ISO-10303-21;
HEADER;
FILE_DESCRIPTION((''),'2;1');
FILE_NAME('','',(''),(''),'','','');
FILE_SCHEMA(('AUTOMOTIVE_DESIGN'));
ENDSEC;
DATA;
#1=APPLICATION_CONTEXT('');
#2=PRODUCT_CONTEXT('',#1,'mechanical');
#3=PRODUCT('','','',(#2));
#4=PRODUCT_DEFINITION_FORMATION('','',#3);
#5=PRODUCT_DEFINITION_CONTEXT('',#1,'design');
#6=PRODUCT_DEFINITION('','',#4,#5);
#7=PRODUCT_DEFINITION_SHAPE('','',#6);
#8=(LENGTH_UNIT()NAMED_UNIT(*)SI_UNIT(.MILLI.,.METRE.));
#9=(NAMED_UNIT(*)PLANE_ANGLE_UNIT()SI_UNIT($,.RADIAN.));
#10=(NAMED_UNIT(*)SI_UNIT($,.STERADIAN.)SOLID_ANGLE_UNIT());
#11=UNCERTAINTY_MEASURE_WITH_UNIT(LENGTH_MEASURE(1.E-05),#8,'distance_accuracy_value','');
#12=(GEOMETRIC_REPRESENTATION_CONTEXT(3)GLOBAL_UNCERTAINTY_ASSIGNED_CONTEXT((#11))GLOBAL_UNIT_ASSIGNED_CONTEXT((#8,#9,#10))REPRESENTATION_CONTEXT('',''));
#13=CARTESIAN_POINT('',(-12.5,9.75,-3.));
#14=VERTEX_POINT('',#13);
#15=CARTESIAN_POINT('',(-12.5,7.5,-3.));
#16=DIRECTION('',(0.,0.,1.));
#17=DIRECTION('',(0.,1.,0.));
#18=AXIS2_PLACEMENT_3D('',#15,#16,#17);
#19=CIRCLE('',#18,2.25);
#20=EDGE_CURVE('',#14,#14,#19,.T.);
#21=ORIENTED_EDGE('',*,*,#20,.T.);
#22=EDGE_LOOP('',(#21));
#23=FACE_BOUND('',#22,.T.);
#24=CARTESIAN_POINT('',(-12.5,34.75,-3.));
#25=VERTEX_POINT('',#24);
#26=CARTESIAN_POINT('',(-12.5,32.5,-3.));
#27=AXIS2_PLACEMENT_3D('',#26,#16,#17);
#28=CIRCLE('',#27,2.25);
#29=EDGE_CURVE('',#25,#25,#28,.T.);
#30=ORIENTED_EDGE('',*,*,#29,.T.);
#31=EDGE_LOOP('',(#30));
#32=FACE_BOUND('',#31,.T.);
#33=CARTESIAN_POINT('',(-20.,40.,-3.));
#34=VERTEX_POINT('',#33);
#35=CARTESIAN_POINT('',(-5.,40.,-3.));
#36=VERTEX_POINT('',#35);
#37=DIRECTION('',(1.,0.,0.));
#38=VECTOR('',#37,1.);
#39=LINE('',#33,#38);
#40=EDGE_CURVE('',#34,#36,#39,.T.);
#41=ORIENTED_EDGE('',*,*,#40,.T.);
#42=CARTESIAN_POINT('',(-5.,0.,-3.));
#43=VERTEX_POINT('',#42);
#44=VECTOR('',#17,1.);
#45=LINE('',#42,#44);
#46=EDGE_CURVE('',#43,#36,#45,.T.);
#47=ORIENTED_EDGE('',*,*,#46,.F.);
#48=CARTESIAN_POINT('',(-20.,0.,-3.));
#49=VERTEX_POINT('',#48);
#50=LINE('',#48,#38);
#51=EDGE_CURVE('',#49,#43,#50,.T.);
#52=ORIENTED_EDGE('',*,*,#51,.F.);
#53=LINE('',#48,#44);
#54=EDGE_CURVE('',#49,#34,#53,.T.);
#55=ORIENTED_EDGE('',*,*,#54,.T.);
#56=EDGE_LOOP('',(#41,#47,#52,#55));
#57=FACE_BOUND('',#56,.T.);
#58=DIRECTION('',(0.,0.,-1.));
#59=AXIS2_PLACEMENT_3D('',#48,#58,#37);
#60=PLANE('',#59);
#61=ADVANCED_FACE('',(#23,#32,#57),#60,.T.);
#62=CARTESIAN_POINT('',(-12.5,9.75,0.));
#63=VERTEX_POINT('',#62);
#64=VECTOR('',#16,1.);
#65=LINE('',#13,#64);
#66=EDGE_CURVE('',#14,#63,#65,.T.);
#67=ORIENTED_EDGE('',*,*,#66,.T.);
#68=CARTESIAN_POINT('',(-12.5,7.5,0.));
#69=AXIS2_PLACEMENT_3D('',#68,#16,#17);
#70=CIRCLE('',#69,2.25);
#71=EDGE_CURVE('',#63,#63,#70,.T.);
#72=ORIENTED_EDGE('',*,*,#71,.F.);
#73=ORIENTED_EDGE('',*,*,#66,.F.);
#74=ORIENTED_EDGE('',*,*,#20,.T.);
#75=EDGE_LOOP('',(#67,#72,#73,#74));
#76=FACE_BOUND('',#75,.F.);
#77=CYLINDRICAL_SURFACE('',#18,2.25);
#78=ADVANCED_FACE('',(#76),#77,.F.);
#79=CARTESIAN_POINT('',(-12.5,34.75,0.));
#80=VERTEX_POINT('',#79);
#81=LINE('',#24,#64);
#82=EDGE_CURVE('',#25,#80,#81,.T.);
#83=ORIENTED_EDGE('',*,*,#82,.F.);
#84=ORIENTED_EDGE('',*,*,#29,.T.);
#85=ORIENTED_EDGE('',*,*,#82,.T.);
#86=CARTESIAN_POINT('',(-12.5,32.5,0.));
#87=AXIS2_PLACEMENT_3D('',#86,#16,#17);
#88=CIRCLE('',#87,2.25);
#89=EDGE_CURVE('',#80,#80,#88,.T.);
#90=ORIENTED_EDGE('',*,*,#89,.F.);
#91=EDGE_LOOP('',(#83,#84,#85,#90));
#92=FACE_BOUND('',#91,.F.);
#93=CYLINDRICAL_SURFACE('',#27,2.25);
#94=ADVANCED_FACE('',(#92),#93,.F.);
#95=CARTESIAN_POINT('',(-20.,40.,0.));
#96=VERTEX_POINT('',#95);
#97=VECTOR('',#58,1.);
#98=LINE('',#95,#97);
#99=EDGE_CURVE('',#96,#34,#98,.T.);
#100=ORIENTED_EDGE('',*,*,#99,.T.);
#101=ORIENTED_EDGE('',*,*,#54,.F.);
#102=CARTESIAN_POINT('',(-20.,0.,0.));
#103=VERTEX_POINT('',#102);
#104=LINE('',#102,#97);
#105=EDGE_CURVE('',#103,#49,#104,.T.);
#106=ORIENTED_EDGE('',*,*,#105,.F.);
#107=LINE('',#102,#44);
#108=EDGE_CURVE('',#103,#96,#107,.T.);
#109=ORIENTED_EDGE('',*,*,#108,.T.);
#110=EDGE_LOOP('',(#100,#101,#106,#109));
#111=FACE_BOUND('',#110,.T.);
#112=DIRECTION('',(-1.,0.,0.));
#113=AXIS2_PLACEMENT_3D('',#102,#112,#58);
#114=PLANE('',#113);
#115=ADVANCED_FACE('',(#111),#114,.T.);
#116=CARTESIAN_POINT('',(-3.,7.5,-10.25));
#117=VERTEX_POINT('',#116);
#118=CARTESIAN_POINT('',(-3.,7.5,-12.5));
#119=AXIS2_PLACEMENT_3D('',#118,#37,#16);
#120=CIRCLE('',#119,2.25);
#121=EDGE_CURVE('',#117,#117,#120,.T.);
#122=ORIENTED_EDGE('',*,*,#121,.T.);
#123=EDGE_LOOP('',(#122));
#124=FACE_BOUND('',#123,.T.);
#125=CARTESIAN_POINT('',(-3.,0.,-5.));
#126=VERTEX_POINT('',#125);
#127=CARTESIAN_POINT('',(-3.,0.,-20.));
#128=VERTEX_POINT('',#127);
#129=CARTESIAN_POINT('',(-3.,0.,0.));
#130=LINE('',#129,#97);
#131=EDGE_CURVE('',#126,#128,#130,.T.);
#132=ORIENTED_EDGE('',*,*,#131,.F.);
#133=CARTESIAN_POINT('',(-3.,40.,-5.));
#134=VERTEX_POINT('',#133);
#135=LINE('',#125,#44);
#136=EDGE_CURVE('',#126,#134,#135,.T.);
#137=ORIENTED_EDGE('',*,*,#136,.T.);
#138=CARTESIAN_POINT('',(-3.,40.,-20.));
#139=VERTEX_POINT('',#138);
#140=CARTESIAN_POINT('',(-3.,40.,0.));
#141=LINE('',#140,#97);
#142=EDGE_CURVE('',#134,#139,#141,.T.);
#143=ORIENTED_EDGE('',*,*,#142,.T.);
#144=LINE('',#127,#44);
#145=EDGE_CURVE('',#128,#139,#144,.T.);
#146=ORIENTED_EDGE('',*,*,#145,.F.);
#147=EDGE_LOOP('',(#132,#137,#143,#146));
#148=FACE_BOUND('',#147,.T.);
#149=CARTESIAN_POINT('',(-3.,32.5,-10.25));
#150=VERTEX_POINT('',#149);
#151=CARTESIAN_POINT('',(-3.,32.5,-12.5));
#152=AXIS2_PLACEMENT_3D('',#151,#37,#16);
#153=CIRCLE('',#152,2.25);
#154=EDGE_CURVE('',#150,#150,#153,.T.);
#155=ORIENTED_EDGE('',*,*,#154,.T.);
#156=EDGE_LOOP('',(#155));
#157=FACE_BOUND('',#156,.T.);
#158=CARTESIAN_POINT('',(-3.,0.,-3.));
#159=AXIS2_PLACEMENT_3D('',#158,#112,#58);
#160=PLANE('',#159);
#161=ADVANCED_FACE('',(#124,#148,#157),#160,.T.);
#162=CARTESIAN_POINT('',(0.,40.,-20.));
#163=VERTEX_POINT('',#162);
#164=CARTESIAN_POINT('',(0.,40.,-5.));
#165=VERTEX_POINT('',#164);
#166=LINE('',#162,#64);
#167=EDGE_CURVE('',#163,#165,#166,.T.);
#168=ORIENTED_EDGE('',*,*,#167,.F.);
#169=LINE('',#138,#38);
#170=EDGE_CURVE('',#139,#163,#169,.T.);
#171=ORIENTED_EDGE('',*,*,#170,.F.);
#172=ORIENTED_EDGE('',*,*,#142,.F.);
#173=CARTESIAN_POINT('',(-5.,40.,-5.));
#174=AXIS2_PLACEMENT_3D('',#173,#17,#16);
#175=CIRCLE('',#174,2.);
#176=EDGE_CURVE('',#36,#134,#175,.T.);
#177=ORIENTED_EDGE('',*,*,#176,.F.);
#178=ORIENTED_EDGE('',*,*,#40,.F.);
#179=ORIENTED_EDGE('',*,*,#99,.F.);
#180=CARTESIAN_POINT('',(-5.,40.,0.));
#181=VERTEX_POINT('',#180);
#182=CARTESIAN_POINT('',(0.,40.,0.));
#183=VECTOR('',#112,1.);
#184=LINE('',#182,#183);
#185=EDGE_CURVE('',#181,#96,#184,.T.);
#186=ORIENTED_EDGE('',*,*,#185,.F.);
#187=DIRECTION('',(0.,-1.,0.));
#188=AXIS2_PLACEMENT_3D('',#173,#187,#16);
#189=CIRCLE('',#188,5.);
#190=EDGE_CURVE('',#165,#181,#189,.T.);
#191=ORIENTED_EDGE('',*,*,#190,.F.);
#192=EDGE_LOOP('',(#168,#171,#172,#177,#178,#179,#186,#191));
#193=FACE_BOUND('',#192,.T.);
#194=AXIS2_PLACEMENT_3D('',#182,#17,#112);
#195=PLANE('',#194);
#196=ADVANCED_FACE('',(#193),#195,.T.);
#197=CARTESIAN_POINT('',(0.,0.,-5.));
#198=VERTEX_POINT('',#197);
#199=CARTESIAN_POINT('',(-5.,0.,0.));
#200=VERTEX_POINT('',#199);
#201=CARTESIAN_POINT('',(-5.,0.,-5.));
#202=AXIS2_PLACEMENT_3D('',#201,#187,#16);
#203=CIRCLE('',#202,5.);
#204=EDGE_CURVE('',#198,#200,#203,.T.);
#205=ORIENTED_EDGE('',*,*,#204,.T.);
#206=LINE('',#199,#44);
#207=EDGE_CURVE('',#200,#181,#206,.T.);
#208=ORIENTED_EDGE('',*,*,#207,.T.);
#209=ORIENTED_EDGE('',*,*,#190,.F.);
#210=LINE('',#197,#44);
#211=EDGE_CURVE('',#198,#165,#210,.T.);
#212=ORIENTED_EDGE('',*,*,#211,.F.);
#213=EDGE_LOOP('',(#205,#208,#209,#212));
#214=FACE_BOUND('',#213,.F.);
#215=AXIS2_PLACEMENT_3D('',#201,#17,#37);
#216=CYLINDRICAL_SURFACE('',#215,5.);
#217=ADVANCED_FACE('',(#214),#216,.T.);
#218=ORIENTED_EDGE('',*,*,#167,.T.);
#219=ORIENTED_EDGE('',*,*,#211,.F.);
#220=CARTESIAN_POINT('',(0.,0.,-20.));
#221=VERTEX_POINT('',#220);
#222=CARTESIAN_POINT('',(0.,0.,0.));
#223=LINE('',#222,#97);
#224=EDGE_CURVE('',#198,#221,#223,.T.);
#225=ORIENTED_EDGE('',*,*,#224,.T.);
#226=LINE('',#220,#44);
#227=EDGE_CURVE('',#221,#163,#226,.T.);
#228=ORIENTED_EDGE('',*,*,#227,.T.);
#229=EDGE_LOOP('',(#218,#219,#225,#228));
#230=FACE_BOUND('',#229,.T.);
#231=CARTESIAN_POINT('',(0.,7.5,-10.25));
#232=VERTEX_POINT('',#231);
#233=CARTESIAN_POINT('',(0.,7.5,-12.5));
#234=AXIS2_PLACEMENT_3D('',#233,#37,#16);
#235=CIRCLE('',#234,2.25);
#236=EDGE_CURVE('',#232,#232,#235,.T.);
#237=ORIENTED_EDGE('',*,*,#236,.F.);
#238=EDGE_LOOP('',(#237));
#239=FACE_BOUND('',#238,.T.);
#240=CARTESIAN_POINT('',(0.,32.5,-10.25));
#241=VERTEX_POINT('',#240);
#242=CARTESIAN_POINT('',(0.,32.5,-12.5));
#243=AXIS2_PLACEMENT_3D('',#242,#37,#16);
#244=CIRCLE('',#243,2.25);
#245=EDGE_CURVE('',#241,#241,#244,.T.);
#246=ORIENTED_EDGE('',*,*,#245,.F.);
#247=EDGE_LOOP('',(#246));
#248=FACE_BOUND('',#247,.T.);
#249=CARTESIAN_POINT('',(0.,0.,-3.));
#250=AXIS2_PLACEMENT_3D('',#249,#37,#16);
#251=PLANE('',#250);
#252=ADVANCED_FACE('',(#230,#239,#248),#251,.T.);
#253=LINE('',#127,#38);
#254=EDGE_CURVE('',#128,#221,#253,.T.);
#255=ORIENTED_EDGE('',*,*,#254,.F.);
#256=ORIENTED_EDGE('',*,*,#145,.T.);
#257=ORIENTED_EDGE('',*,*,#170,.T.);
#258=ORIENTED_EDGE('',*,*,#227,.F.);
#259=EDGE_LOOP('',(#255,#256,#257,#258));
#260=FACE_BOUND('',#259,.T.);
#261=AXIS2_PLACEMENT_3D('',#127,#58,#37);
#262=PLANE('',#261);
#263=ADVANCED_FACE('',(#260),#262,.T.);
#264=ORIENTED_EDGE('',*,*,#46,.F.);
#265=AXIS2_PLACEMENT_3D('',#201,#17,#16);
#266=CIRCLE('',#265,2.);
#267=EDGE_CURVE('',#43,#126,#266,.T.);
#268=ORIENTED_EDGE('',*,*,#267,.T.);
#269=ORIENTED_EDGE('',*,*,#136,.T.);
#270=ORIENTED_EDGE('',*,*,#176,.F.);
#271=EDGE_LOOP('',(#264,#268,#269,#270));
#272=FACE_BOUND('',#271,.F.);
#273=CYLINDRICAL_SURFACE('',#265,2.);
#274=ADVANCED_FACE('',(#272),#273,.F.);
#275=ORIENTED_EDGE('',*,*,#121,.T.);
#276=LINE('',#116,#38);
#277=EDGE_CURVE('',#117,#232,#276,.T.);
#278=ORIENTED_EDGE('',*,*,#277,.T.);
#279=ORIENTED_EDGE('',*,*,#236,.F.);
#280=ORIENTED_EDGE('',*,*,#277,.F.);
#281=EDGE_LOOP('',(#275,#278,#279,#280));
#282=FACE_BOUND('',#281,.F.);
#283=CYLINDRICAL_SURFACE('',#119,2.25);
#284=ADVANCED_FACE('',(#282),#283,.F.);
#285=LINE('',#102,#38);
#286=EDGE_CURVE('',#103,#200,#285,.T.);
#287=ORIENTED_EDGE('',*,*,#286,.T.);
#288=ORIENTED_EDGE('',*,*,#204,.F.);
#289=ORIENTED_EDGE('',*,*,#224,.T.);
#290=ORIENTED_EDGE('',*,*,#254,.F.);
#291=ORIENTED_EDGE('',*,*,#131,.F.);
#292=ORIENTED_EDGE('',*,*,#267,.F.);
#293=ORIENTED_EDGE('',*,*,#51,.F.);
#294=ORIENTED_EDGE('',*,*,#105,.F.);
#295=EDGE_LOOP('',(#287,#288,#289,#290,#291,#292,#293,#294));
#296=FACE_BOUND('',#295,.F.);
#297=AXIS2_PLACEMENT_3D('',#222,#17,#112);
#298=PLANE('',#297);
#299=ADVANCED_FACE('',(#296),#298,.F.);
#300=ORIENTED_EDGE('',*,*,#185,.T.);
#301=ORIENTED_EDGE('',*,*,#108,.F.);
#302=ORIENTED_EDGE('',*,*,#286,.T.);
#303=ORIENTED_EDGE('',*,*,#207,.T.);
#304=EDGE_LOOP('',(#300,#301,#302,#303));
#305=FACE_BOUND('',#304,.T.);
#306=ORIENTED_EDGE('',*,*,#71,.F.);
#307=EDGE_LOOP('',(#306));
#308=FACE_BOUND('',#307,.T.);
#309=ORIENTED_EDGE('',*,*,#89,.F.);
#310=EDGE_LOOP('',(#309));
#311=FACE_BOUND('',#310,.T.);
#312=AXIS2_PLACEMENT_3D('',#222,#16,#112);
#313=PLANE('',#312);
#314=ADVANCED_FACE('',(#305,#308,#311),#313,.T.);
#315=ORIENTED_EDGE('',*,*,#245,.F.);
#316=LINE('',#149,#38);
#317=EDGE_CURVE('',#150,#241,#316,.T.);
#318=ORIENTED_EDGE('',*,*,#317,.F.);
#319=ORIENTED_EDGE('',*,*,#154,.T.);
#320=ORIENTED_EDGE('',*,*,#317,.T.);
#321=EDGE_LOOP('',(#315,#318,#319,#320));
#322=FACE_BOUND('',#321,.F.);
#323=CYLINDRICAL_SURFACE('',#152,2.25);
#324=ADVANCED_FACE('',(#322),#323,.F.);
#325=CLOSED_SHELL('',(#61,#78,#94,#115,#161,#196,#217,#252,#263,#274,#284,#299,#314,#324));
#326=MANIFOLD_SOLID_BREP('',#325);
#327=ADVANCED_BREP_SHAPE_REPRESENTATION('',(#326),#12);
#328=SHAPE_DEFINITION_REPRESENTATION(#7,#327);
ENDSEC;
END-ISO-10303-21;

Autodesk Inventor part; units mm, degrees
ref_plane "YZ Plane" through (0, 0, 0) normal (1, 0, 0) x (0, 1, 0)
ref_plane "XZ Plane" through (0, 0, 0) normal (0, 1, 0) x (-1, 0, 0)
ref_plane "XY Plane" through (0, 0, 0) normal (0, 0, 1) x (1, 0, 0)
sketch "Sketch1" plane through (0, 0, 0) normal (0, 1, 0) x (-1, 0, 0)
  line L0 (0, 0) -> (20, 0)
  line L1 (20, 0) -> (20, -3)
  line L2 (20, -3) -> (0, -3)
  line L3 (0, -3) -> (0, 0)
  line L4 (0, 0) -> (3, 0)
  line L5 (3, 0) -> (3, -20)
  line L6 (3, -20) -> (0, -20)
  line L7 (0, -20) -> (0, 0)
  dimension "d0" = 3
  dimension "d1" = 3
  dimension "d2" = 20
  dimension "d3" = 20
extrude "Extrusion1" add sketch "Sketch1" along normal blind 40
fillet "Fillet1" radius 2 1 edges at (-3, 20, -3)
fillet "Fillet2" radius 5 1 edges at (0, 20, 0)
sketch "Sketch2" plane through (-3, 0, -20) normal (-1, 0, 0) x (0, 0, 1)
  line L0 (0, 40) -> (15, 40) projected
  line L1 (0, 0) -> (15, 0) projected
  line L2 (0, 0) -> (0, 40) projected
  point P0 (20, 0)
  point P1 (7.5, 32.5)
  point P2 (7.5, 7.5)
  dimension "d8" = 7.5
  dimension "d9" = 7.5
  dimension "d10" = 25
  dimension "d11" = 7.5
hole "Hole1" at (-3, 32.5, -12.5) at (-3, 7.5, -12.5) direction (1, 0, 0) diameter 4.5 end through all clearance for "Socket Head Cap Screw" size "M4" standard "Ansi Metric M Profile"
sketch "Sketch3" plane through (-20, 0, -3) normal (0, 0, -1) x (-1, 0, 0)
  line L0 (-15, 40) -> (0, 40) projected
  line L1 (-15, 0) -> (0, 0) projected
  line L2 (0, 0) -> (0, 40) projected
  point P0 (-20, 0)
  point P1 (-7.5, 32.5)
  point P2 (-7.5, 7.5)
  dimension "d19" = 7.5
  dimension "d20" = 7.5
  dimension "d21" = 7.5
hole "Hole2" at (-12.5, 32.5, -3) at (-12.5, 7.5, -3) direction (0, 0, 1) diameter 4.5 end through all clearance for "Socket Head Cap Screw" size "M4" standard "Ansi Metric M Profile"
equation "\"d1\" = d0"
equation "\"d3\" = d2"
equation "\"d9\" = d8"
equation "\"d20\" = d19"
equation "\"d21\" = d19"
properties part number "Timing_Angle Bracket" material "Aluminum 6061"
